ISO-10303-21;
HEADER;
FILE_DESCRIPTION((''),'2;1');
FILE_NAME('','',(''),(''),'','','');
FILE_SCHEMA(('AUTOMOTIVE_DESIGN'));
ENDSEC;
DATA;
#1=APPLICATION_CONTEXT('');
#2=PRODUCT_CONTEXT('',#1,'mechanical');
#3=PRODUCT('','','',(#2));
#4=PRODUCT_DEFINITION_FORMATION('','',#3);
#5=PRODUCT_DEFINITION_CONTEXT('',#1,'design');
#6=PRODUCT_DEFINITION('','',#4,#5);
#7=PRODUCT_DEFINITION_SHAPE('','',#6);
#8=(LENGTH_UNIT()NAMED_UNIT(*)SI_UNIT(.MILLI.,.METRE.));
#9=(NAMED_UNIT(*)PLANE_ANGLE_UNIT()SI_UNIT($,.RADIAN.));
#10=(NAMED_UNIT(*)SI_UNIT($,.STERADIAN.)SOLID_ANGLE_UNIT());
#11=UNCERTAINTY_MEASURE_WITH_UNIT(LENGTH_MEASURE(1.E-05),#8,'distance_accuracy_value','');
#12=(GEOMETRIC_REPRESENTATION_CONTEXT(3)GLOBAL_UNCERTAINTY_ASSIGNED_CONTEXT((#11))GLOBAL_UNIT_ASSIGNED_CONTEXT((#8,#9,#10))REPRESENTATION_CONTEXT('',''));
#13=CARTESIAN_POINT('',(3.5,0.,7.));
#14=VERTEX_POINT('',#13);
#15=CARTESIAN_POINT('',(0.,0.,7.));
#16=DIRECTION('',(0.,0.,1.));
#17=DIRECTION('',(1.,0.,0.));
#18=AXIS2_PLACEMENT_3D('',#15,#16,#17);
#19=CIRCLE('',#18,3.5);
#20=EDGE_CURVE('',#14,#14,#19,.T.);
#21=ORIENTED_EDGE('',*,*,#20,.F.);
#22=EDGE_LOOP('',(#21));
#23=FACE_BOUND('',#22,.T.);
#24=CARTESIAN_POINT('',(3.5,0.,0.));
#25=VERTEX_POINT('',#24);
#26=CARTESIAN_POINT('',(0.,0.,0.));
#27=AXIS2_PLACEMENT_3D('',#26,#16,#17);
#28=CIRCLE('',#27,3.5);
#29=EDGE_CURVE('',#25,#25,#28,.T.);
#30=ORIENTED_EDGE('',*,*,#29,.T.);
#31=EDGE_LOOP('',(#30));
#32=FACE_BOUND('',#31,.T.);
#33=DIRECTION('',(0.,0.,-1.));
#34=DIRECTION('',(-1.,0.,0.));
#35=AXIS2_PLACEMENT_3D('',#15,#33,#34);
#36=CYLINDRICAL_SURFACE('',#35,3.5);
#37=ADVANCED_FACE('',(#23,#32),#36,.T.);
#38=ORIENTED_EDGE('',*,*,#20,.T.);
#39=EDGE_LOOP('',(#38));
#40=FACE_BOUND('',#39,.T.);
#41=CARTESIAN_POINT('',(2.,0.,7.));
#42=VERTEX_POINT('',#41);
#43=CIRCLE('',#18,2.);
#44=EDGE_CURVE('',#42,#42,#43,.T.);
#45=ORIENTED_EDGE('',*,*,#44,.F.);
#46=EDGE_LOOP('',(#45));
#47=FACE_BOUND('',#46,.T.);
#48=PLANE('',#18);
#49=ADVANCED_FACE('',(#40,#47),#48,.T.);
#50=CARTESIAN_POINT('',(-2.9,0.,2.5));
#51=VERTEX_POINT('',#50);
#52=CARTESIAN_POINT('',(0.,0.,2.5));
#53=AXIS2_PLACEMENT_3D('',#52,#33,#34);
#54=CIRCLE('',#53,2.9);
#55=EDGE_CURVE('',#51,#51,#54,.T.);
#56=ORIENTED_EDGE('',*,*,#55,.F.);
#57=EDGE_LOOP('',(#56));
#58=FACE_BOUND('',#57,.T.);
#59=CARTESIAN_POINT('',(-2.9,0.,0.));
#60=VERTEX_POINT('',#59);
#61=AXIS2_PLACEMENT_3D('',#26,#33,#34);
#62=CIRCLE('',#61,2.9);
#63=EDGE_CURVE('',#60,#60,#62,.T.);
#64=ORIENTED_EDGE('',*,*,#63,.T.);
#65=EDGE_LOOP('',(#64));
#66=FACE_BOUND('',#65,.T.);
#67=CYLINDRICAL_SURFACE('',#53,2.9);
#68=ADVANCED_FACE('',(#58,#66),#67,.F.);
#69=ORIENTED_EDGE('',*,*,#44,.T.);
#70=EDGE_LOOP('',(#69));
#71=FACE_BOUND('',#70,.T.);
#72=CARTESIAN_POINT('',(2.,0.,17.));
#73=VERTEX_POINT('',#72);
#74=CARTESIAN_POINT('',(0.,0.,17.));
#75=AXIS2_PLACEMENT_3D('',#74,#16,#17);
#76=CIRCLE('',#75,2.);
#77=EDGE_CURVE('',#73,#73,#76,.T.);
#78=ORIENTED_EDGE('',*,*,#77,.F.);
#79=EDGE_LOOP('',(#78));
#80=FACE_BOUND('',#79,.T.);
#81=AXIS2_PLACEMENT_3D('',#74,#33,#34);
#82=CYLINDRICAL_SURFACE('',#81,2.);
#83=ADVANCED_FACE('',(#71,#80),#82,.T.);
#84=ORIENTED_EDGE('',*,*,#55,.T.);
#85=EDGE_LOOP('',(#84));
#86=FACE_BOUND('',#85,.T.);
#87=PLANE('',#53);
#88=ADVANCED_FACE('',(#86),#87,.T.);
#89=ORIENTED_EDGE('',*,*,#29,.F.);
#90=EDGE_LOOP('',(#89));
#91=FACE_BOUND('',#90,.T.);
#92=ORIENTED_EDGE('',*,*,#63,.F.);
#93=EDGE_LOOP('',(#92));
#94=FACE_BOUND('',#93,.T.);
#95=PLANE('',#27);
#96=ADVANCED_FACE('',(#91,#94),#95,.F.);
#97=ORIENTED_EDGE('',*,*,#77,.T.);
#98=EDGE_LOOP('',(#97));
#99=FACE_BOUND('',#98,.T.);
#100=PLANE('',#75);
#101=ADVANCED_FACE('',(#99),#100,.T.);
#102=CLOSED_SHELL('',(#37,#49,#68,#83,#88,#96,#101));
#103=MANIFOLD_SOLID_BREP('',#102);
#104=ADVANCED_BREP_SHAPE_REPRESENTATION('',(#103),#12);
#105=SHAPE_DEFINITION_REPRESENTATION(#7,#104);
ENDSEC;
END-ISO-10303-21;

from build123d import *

# Parameters (mm, degrees)
ESQUISSE1_R             = 3.5
BOSS_EXTRU_1_DEPTH      = 7
ESQUISSE2_R             = 2.9
ENL_V_MAT_EXTRU_1_DEPTH = 2.5
ESQUISSE3_R             = 2
BOSS_EXTRU_2_DEPTH      = 10


with BuildPart() as part:
    # Esquisse1 → Boss.-Extru.1 (new body)
    with BuildSketch(Plane.XY):
        Circle(ESQUISSE1_R)
    extrude(amount=BOSS_EXTRU_1_DEPTH)

    # Esquisse2 → Enlèv. mat.-Extru.1 (cut)
    with BuildSketch(Plane(origin=(0, 0, 0), x_dir=(-1, 0, 0), z_dir=(0, 0, -1))):
        Circle(ESQUISSE2_R)
    extrude(amount=-ENL_V_MAT_EXTRU_1_DEPTH, mode=Mode.SUBTRACT)

    # Esquisse3 → Boss.-Extru.2 (add)
    with BuildSketch(Plane.XY.offset(7)):
        Circle(ESQUISSE3_R)
    extrude(amount=BOSS_EXTRU_2_DEPTH)


solid = part.part
